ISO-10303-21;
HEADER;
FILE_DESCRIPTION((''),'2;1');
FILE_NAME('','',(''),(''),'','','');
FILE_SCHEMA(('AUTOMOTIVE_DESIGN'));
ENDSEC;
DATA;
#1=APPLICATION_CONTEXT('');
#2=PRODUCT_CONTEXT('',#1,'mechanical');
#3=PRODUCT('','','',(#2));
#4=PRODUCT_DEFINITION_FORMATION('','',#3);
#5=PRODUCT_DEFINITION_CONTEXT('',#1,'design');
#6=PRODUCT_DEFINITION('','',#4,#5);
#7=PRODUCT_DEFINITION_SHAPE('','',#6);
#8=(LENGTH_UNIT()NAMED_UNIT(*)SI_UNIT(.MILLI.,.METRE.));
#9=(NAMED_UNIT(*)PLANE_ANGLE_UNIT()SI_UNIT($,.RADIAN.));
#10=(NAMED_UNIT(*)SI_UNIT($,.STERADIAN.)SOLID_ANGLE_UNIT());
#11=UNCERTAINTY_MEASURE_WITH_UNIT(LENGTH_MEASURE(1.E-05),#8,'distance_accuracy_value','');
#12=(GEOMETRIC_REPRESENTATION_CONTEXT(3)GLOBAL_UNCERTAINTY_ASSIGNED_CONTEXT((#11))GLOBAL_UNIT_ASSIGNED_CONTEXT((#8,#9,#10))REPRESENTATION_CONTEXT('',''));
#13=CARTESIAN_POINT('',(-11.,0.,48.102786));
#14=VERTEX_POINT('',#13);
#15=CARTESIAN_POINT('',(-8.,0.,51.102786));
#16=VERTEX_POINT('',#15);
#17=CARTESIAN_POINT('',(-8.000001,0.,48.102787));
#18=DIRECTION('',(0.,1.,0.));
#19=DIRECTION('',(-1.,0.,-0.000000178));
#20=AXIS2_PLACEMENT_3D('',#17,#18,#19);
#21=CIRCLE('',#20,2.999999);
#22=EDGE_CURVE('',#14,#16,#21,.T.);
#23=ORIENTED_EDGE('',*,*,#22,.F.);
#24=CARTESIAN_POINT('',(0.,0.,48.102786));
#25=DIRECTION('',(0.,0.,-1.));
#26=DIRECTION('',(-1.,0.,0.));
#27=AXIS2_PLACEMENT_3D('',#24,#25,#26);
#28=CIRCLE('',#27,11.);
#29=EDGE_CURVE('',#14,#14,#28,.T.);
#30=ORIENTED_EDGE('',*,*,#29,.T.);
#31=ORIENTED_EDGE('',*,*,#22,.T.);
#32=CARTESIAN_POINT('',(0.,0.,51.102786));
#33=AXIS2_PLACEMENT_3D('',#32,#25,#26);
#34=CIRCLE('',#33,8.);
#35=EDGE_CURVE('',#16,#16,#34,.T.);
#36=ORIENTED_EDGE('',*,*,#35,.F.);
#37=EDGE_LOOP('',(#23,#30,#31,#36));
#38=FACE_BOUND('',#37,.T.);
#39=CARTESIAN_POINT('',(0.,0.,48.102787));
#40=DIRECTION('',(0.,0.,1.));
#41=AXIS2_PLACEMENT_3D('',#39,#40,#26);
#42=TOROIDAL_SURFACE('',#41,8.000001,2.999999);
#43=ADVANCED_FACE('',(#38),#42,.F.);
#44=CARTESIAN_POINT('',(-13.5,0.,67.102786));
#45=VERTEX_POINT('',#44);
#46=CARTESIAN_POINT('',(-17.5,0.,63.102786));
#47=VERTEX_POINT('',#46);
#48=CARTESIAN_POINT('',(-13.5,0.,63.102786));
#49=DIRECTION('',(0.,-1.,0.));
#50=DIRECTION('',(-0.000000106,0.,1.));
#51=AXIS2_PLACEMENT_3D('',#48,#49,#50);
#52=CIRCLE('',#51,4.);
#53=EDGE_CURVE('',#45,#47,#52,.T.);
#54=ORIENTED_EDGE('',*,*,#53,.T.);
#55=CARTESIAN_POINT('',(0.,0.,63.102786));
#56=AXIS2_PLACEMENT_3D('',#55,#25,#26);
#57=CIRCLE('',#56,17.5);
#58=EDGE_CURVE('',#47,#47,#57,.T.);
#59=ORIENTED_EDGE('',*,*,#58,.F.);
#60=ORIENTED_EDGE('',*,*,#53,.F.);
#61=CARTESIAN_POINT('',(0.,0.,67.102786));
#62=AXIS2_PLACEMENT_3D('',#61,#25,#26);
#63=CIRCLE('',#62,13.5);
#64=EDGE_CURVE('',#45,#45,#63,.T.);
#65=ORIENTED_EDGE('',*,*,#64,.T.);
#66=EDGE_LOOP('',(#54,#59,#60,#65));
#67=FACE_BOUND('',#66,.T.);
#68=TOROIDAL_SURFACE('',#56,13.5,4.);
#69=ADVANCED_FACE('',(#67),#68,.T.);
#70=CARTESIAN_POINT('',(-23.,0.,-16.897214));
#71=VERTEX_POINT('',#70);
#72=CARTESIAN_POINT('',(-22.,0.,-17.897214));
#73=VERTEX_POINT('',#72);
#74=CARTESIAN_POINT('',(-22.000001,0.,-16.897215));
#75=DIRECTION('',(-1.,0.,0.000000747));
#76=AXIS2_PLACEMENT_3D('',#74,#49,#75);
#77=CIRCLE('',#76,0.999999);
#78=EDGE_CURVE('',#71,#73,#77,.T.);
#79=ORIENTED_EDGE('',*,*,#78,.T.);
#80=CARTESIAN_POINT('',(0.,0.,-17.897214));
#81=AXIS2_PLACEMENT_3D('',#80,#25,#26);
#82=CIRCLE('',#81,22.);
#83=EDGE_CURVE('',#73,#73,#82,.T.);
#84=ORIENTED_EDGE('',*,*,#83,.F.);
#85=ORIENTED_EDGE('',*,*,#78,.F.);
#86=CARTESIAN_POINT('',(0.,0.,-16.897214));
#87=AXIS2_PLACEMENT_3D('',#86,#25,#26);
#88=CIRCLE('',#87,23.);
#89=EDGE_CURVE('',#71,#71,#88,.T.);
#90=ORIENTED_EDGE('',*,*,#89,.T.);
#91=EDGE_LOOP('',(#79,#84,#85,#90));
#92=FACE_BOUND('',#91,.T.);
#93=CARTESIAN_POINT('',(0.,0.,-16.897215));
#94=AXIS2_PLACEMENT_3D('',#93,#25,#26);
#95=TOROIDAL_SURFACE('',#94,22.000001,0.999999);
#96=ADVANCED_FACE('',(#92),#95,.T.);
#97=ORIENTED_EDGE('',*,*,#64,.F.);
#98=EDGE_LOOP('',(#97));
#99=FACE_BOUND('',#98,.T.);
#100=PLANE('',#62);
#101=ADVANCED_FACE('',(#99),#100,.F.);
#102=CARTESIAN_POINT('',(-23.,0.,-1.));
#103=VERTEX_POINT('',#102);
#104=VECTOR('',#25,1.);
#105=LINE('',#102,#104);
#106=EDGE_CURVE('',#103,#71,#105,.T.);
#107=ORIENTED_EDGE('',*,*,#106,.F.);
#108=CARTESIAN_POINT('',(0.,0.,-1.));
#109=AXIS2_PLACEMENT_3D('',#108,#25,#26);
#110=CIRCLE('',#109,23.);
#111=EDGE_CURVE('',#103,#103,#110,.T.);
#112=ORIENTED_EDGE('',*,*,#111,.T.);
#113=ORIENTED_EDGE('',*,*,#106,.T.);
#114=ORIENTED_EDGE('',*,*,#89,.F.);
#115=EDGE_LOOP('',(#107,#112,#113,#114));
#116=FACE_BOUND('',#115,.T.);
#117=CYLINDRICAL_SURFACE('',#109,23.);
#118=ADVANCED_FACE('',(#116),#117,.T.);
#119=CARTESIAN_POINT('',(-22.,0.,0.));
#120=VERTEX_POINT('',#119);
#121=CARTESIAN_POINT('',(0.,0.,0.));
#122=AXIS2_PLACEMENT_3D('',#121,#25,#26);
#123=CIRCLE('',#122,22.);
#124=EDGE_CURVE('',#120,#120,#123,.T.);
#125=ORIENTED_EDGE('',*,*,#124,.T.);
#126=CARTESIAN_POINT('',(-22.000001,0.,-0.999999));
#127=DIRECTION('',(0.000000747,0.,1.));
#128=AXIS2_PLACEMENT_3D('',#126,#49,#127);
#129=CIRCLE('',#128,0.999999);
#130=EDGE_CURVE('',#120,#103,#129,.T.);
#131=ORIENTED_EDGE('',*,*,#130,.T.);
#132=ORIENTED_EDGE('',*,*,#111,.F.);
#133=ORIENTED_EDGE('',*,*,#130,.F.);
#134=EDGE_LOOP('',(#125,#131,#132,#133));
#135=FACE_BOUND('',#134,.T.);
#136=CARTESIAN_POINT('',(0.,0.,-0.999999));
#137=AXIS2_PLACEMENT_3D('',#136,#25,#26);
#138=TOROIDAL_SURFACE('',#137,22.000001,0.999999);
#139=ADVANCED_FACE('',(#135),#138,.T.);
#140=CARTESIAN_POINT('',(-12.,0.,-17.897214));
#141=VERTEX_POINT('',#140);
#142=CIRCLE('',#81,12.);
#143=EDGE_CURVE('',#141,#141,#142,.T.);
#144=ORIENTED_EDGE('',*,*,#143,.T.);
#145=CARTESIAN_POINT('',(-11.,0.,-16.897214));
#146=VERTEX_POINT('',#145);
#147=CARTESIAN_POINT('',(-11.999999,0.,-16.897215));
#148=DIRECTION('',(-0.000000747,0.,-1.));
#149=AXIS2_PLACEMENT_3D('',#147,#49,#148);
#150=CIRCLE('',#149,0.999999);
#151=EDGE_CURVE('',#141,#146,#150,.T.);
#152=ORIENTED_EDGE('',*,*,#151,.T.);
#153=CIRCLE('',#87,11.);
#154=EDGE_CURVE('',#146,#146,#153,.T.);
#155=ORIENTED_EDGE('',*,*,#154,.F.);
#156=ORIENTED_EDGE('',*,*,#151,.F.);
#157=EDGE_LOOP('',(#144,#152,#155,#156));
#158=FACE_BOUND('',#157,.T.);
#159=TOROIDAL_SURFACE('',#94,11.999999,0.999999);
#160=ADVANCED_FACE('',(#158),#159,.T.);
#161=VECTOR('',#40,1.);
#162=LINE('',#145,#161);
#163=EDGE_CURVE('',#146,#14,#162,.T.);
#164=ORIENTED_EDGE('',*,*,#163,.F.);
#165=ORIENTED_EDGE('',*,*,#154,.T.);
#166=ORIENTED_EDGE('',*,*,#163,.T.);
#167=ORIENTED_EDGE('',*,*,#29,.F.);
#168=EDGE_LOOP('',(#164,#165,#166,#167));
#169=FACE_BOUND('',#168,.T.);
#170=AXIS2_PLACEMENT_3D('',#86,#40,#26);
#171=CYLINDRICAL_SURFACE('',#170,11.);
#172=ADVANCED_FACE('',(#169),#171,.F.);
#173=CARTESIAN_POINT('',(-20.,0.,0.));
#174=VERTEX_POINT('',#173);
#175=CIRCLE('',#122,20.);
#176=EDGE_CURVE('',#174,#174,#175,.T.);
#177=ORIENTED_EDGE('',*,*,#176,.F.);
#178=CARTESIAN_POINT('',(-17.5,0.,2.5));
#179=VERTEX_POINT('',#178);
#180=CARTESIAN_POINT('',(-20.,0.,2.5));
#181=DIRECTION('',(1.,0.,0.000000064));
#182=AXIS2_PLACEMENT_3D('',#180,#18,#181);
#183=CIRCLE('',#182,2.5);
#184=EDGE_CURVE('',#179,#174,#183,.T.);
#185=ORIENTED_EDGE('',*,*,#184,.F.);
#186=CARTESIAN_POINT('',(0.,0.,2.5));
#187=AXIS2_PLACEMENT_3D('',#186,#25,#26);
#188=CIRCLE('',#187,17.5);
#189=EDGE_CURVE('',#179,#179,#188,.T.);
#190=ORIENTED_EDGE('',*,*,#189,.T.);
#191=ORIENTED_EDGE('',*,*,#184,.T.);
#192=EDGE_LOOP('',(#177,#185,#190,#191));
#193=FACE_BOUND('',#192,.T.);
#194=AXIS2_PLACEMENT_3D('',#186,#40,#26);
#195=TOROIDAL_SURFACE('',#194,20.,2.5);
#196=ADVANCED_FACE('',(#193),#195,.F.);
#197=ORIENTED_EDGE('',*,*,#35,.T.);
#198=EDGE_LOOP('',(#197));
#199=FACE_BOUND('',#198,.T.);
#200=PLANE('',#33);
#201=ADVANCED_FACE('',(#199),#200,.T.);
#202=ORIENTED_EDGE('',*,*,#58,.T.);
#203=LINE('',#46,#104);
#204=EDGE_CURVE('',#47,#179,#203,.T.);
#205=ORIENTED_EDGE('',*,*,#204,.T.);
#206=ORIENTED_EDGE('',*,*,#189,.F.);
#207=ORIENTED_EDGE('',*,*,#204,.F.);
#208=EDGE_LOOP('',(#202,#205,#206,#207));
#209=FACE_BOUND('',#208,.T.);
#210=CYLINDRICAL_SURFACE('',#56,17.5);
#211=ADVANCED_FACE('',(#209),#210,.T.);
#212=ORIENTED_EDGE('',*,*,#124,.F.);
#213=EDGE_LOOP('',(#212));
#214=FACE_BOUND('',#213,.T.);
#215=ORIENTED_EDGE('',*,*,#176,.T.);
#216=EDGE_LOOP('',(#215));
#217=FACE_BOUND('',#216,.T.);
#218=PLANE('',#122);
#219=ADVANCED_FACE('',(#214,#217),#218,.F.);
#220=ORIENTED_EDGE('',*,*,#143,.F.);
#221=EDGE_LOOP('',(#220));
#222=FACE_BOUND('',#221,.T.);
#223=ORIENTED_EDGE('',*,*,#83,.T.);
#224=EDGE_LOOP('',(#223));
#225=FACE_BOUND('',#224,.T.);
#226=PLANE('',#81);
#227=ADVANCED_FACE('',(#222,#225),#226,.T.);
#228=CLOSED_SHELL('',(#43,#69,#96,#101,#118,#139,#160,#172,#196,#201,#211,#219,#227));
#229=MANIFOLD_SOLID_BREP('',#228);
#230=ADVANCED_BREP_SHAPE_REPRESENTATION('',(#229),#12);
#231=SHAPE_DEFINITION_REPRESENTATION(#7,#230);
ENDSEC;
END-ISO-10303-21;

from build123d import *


with BuildPart() as f1:
    # F0 (on Front) → F1 (revolve)
    with BuildSketch(Plane.XZ):
        with BuildLine():
            Line((-11, -16.897214), (-11, 0))
            Line((-11, 0), (-11, 48.102786))
            ThreePointArc((-11, 48.102786), (-10.12132, 50.224107), (-8, 51.102786))
            Line((-8, 51.102786), (0, 51.102786))
            Line((0, 51.102786), (0, 67.102786))
            Line((0, 67.102786), (-13.5, 67.102786))
            ThreePointArc((-13.5, 67.102786), (-16.328427, 65.931213), (-17.5, 63.102786))
            Line((-17.5, 63.102786), (-17.5, 52.102786))
            Line((-17.5, 52.102786), (-17.5, 2.5))
            ThreePointArc((-17.5, 2.5), (-18.232233, 0.732233), (-20, 0))
            Line((-20, 0), (-22, 0))
            ThreePointArc((-22, 0), (-22.707107, -0.292893), (-23, -1))
            Line((-23, -1), (-23, -16.897214))
            ThreePointArc((-23, -16.897214), (-22.707107, -17.604321), (-22, -17.897214))
            Line((-22, -17.897214), (-12, -17.897214))
            ThreePointArc((-12, -17.897214), (-11.292893, -17.604321), (-11, -16.897214))
        make_face()
    revolve(axis=Axis((0, 0, 9.518242), (0, 0, -1)))


solid = f1.part
